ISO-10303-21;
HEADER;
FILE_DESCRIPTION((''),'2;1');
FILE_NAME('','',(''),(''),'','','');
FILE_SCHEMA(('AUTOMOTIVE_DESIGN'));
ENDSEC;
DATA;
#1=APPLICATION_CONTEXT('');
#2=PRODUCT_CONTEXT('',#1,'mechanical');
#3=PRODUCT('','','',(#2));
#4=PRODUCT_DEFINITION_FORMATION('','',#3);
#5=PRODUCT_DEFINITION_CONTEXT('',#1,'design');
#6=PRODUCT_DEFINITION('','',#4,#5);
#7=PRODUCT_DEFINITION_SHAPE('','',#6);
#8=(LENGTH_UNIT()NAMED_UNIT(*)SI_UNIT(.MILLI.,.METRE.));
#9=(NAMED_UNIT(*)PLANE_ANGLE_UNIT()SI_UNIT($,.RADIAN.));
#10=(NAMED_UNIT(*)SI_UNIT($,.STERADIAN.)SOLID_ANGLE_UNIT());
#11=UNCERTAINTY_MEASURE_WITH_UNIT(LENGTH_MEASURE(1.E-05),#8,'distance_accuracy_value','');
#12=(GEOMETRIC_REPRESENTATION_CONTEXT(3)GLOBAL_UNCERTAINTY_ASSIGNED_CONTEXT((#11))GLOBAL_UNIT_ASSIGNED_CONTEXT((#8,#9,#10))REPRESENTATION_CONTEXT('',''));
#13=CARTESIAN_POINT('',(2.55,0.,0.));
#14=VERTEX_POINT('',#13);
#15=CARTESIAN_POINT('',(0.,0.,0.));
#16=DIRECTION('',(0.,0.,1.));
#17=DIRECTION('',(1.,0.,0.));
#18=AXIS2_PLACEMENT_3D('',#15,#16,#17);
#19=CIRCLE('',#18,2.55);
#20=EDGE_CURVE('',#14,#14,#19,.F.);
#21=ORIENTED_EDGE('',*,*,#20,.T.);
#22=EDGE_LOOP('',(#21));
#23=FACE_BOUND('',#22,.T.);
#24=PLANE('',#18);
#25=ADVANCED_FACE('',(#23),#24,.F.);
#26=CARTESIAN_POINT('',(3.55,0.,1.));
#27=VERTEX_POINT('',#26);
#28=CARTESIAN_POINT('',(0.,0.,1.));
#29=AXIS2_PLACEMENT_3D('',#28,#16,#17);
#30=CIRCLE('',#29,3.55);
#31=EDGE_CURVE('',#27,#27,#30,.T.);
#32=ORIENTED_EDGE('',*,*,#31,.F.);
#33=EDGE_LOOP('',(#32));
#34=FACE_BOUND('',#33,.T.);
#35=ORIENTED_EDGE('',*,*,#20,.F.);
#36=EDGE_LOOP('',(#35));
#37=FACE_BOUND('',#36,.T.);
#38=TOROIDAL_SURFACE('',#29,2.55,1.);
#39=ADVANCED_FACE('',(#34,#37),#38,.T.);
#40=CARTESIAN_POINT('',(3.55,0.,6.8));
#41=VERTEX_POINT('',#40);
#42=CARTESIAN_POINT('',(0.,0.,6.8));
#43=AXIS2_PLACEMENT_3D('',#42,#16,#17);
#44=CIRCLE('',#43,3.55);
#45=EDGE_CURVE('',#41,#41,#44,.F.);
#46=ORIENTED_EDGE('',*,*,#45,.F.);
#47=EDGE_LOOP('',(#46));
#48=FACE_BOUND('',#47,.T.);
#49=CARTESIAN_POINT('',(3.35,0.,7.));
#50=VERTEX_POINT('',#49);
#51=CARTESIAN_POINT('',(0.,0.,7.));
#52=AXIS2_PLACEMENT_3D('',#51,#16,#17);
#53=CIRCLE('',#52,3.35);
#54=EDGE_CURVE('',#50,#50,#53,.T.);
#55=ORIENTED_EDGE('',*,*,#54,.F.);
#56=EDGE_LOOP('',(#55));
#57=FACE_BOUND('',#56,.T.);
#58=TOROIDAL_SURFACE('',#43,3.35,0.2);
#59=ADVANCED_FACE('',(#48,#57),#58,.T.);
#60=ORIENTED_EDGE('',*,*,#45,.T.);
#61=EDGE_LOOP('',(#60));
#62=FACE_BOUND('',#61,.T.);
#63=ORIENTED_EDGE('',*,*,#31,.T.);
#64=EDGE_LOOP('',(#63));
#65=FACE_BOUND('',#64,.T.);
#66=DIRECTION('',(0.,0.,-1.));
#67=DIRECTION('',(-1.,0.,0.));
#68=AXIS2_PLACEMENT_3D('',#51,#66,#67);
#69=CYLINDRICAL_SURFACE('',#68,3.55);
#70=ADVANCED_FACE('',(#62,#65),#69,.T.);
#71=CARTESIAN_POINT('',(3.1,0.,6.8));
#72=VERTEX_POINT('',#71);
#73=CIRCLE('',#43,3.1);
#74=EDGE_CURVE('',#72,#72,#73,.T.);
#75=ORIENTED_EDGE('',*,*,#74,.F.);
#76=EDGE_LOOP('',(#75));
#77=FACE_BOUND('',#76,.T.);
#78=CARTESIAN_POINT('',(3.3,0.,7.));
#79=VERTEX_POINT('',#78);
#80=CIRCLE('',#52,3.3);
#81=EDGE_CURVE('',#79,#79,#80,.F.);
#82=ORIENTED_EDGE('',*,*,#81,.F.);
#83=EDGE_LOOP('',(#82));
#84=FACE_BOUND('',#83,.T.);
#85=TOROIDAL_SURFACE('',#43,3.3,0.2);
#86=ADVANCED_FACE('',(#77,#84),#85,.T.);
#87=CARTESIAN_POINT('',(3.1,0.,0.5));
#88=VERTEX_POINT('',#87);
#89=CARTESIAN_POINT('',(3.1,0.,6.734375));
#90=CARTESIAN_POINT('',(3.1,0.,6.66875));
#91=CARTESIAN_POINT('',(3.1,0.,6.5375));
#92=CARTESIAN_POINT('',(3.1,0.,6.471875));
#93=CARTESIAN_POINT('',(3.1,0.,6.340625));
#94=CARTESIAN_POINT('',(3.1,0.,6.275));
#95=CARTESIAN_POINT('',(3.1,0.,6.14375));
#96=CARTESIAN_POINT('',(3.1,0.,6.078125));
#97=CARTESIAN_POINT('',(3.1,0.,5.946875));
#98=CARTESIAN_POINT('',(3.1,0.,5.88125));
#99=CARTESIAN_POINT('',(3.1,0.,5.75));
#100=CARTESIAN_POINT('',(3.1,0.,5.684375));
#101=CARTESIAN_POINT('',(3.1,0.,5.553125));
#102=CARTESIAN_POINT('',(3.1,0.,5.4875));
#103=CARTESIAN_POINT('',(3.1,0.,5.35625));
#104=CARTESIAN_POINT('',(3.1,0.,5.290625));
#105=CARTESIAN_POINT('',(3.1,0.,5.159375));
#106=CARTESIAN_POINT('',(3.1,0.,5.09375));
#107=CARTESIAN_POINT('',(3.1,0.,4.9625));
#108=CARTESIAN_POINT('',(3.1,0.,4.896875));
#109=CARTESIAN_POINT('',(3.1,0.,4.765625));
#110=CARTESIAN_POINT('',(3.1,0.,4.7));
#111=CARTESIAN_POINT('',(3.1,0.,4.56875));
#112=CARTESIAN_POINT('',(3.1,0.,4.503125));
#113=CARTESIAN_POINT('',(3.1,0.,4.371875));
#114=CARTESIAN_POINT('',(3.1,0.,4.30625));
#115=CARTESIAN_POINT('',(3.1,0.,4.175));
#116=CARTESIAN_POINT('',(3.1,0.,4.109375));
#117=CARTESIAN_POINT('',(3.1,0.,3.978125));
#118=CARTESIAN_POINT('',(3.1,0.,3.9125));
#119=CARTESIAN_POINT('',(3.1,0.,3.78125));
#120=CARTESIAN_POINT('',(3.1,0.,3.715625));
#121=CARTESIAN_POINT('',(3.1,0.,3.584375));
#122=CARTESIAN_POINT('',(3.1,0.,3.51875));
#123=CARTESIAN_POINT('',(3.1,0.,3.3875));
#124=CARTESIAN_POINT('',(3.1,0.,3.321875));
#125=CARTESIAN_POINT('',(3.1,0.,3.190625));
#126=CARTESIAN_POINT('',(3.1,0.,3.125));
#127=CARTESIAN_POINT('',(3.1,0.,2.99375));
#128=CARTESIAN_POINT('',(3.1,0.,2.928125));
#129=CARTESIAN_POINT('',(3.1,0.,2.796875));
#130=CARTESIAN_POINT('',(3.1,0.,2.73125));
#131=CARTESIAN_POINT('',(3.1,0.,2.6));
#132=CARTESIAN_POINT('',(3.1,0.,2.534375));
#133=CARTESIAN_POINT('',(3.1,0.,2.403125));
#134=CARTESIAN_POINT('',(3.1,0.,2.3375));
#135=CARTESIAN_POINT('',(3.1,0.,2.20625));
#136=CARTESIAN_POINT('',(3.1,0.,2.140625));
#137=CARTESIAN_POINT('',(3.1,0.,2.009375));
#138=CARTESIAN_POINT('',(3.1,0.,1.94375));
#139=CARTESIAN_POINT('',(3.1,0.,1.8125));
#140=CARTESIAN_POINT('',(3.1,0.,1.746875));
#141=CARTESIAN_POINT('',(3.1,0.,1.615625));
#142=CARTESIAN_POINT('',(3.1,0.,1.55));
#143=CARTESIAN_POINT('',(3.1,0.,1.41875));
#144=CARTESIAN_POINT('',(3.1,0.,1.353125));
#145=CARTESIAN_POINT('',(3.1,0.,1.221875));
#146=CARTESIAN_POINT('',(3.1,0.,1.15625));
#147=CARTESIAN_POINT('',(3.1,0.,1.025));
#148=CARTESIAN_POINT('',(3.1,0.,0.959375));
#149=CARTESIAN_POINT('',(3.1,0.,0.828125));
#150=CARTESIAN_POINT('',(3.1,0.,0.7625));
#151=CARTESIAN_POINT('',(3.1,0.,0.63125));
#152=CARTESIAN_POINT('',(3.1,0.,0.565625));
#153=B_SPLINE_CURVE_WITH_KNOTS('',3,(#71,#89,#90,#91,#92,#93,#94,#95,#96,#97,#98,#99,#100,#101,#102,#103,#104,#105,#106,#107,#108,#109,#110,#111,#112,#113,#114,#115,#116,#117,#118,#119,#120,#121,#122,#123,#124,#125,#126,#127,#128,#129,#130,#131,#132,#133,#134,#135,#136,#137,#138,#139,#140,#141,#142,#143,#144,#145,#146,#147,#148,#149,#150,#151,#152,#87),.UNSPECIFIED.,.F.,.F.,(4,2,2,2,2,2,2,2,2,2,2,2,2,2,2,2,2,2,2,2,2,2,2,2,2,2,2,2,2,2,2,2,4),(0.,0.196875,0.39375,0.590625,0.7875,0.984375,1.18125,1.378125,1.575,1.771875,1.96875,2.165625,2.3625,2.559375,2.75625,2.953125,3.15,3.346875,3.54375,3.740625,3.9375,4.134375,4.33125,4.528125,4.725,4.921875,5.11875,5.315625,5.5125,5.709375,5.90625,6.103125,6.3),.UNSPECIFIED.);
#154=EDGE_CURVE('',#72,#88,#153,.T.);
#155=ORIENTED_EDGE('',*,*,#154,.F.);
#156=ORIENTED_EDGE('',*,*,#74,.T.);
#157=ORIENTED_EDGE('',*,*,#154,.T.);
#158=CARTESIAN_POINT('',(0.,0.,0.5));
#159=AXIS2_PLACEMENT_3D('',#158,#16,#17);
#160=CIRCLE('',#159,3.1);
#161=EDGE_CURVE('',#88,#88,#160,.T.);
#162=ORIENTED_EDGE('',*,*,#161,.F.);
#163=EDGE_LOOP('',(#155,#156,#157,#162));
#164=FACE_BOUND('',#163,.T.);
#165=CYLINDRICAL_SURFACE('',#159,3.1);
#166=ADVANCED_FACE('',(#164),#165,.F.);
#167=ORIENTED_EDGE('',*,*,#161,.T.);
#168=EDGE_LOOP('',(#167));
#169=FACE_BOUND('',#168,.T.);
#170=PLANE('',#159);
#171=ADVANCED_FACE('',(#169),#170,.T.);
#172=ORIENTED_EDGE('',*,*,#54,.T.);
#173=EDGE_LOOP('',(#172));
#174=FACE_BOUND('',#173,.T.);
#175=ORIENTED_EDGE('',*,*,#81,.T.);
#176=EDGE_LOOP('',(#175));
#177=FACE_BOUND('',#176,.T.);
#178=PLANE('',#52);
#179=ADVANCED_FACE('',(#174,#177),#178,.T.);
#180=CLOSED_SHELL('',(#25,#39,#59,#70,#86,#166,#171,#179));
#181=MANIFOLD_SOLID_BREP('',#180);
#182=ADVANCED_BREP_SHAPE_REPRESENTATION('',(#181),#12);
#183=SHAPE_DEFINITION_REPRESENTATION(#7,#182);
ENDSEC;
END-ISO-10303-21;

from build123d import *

# Parameters (mm, degrees)
SKETCH1_R           = 3.55
BOSS_EXTRUDE1_DEPTH = 7
SKETCH2_R           = 3.1
CUT_EXTRUDE1_DEPTH  = 6.5
FILLET1_R           = 0.2
FILLET2_R           = 1


with BuildPart() as part:
    # Sketch1 → Boss-Extrude1 (new body)
    with BuildSketch(Plane.XY):
        Circle(SKETCH1_R)
    extrude(amount=BOSS_EXTRUDE1_DEPTH)

    # Sketch2 → Cut-Extrude1 (cut)
    with BuildSketch(Plane.XY.offset(7)):
        Circle(SKETCH2_R)
    extrude(amount=-CUT_EXTRUDE1_DEPTH, mode=Mode.SUBTRACT)

    # Fillet1
    fillet1_edges = [part.edges().sort_by_distance(p)[0] for p in [
        (-3.55, 0, 7),
        (-3.1, 0, 7),
    ]]
    fillet(fillet1_edges, radius=FILLET1_R)

    # Fillet2
    fillet2_edges = [part.edges().sort_by_distance(p)[0] for p in [
        (-3.55, 0, 0),
    ]]
    fillet(fillet2_edges, radius=FILLET2_R)


solid = part.part
